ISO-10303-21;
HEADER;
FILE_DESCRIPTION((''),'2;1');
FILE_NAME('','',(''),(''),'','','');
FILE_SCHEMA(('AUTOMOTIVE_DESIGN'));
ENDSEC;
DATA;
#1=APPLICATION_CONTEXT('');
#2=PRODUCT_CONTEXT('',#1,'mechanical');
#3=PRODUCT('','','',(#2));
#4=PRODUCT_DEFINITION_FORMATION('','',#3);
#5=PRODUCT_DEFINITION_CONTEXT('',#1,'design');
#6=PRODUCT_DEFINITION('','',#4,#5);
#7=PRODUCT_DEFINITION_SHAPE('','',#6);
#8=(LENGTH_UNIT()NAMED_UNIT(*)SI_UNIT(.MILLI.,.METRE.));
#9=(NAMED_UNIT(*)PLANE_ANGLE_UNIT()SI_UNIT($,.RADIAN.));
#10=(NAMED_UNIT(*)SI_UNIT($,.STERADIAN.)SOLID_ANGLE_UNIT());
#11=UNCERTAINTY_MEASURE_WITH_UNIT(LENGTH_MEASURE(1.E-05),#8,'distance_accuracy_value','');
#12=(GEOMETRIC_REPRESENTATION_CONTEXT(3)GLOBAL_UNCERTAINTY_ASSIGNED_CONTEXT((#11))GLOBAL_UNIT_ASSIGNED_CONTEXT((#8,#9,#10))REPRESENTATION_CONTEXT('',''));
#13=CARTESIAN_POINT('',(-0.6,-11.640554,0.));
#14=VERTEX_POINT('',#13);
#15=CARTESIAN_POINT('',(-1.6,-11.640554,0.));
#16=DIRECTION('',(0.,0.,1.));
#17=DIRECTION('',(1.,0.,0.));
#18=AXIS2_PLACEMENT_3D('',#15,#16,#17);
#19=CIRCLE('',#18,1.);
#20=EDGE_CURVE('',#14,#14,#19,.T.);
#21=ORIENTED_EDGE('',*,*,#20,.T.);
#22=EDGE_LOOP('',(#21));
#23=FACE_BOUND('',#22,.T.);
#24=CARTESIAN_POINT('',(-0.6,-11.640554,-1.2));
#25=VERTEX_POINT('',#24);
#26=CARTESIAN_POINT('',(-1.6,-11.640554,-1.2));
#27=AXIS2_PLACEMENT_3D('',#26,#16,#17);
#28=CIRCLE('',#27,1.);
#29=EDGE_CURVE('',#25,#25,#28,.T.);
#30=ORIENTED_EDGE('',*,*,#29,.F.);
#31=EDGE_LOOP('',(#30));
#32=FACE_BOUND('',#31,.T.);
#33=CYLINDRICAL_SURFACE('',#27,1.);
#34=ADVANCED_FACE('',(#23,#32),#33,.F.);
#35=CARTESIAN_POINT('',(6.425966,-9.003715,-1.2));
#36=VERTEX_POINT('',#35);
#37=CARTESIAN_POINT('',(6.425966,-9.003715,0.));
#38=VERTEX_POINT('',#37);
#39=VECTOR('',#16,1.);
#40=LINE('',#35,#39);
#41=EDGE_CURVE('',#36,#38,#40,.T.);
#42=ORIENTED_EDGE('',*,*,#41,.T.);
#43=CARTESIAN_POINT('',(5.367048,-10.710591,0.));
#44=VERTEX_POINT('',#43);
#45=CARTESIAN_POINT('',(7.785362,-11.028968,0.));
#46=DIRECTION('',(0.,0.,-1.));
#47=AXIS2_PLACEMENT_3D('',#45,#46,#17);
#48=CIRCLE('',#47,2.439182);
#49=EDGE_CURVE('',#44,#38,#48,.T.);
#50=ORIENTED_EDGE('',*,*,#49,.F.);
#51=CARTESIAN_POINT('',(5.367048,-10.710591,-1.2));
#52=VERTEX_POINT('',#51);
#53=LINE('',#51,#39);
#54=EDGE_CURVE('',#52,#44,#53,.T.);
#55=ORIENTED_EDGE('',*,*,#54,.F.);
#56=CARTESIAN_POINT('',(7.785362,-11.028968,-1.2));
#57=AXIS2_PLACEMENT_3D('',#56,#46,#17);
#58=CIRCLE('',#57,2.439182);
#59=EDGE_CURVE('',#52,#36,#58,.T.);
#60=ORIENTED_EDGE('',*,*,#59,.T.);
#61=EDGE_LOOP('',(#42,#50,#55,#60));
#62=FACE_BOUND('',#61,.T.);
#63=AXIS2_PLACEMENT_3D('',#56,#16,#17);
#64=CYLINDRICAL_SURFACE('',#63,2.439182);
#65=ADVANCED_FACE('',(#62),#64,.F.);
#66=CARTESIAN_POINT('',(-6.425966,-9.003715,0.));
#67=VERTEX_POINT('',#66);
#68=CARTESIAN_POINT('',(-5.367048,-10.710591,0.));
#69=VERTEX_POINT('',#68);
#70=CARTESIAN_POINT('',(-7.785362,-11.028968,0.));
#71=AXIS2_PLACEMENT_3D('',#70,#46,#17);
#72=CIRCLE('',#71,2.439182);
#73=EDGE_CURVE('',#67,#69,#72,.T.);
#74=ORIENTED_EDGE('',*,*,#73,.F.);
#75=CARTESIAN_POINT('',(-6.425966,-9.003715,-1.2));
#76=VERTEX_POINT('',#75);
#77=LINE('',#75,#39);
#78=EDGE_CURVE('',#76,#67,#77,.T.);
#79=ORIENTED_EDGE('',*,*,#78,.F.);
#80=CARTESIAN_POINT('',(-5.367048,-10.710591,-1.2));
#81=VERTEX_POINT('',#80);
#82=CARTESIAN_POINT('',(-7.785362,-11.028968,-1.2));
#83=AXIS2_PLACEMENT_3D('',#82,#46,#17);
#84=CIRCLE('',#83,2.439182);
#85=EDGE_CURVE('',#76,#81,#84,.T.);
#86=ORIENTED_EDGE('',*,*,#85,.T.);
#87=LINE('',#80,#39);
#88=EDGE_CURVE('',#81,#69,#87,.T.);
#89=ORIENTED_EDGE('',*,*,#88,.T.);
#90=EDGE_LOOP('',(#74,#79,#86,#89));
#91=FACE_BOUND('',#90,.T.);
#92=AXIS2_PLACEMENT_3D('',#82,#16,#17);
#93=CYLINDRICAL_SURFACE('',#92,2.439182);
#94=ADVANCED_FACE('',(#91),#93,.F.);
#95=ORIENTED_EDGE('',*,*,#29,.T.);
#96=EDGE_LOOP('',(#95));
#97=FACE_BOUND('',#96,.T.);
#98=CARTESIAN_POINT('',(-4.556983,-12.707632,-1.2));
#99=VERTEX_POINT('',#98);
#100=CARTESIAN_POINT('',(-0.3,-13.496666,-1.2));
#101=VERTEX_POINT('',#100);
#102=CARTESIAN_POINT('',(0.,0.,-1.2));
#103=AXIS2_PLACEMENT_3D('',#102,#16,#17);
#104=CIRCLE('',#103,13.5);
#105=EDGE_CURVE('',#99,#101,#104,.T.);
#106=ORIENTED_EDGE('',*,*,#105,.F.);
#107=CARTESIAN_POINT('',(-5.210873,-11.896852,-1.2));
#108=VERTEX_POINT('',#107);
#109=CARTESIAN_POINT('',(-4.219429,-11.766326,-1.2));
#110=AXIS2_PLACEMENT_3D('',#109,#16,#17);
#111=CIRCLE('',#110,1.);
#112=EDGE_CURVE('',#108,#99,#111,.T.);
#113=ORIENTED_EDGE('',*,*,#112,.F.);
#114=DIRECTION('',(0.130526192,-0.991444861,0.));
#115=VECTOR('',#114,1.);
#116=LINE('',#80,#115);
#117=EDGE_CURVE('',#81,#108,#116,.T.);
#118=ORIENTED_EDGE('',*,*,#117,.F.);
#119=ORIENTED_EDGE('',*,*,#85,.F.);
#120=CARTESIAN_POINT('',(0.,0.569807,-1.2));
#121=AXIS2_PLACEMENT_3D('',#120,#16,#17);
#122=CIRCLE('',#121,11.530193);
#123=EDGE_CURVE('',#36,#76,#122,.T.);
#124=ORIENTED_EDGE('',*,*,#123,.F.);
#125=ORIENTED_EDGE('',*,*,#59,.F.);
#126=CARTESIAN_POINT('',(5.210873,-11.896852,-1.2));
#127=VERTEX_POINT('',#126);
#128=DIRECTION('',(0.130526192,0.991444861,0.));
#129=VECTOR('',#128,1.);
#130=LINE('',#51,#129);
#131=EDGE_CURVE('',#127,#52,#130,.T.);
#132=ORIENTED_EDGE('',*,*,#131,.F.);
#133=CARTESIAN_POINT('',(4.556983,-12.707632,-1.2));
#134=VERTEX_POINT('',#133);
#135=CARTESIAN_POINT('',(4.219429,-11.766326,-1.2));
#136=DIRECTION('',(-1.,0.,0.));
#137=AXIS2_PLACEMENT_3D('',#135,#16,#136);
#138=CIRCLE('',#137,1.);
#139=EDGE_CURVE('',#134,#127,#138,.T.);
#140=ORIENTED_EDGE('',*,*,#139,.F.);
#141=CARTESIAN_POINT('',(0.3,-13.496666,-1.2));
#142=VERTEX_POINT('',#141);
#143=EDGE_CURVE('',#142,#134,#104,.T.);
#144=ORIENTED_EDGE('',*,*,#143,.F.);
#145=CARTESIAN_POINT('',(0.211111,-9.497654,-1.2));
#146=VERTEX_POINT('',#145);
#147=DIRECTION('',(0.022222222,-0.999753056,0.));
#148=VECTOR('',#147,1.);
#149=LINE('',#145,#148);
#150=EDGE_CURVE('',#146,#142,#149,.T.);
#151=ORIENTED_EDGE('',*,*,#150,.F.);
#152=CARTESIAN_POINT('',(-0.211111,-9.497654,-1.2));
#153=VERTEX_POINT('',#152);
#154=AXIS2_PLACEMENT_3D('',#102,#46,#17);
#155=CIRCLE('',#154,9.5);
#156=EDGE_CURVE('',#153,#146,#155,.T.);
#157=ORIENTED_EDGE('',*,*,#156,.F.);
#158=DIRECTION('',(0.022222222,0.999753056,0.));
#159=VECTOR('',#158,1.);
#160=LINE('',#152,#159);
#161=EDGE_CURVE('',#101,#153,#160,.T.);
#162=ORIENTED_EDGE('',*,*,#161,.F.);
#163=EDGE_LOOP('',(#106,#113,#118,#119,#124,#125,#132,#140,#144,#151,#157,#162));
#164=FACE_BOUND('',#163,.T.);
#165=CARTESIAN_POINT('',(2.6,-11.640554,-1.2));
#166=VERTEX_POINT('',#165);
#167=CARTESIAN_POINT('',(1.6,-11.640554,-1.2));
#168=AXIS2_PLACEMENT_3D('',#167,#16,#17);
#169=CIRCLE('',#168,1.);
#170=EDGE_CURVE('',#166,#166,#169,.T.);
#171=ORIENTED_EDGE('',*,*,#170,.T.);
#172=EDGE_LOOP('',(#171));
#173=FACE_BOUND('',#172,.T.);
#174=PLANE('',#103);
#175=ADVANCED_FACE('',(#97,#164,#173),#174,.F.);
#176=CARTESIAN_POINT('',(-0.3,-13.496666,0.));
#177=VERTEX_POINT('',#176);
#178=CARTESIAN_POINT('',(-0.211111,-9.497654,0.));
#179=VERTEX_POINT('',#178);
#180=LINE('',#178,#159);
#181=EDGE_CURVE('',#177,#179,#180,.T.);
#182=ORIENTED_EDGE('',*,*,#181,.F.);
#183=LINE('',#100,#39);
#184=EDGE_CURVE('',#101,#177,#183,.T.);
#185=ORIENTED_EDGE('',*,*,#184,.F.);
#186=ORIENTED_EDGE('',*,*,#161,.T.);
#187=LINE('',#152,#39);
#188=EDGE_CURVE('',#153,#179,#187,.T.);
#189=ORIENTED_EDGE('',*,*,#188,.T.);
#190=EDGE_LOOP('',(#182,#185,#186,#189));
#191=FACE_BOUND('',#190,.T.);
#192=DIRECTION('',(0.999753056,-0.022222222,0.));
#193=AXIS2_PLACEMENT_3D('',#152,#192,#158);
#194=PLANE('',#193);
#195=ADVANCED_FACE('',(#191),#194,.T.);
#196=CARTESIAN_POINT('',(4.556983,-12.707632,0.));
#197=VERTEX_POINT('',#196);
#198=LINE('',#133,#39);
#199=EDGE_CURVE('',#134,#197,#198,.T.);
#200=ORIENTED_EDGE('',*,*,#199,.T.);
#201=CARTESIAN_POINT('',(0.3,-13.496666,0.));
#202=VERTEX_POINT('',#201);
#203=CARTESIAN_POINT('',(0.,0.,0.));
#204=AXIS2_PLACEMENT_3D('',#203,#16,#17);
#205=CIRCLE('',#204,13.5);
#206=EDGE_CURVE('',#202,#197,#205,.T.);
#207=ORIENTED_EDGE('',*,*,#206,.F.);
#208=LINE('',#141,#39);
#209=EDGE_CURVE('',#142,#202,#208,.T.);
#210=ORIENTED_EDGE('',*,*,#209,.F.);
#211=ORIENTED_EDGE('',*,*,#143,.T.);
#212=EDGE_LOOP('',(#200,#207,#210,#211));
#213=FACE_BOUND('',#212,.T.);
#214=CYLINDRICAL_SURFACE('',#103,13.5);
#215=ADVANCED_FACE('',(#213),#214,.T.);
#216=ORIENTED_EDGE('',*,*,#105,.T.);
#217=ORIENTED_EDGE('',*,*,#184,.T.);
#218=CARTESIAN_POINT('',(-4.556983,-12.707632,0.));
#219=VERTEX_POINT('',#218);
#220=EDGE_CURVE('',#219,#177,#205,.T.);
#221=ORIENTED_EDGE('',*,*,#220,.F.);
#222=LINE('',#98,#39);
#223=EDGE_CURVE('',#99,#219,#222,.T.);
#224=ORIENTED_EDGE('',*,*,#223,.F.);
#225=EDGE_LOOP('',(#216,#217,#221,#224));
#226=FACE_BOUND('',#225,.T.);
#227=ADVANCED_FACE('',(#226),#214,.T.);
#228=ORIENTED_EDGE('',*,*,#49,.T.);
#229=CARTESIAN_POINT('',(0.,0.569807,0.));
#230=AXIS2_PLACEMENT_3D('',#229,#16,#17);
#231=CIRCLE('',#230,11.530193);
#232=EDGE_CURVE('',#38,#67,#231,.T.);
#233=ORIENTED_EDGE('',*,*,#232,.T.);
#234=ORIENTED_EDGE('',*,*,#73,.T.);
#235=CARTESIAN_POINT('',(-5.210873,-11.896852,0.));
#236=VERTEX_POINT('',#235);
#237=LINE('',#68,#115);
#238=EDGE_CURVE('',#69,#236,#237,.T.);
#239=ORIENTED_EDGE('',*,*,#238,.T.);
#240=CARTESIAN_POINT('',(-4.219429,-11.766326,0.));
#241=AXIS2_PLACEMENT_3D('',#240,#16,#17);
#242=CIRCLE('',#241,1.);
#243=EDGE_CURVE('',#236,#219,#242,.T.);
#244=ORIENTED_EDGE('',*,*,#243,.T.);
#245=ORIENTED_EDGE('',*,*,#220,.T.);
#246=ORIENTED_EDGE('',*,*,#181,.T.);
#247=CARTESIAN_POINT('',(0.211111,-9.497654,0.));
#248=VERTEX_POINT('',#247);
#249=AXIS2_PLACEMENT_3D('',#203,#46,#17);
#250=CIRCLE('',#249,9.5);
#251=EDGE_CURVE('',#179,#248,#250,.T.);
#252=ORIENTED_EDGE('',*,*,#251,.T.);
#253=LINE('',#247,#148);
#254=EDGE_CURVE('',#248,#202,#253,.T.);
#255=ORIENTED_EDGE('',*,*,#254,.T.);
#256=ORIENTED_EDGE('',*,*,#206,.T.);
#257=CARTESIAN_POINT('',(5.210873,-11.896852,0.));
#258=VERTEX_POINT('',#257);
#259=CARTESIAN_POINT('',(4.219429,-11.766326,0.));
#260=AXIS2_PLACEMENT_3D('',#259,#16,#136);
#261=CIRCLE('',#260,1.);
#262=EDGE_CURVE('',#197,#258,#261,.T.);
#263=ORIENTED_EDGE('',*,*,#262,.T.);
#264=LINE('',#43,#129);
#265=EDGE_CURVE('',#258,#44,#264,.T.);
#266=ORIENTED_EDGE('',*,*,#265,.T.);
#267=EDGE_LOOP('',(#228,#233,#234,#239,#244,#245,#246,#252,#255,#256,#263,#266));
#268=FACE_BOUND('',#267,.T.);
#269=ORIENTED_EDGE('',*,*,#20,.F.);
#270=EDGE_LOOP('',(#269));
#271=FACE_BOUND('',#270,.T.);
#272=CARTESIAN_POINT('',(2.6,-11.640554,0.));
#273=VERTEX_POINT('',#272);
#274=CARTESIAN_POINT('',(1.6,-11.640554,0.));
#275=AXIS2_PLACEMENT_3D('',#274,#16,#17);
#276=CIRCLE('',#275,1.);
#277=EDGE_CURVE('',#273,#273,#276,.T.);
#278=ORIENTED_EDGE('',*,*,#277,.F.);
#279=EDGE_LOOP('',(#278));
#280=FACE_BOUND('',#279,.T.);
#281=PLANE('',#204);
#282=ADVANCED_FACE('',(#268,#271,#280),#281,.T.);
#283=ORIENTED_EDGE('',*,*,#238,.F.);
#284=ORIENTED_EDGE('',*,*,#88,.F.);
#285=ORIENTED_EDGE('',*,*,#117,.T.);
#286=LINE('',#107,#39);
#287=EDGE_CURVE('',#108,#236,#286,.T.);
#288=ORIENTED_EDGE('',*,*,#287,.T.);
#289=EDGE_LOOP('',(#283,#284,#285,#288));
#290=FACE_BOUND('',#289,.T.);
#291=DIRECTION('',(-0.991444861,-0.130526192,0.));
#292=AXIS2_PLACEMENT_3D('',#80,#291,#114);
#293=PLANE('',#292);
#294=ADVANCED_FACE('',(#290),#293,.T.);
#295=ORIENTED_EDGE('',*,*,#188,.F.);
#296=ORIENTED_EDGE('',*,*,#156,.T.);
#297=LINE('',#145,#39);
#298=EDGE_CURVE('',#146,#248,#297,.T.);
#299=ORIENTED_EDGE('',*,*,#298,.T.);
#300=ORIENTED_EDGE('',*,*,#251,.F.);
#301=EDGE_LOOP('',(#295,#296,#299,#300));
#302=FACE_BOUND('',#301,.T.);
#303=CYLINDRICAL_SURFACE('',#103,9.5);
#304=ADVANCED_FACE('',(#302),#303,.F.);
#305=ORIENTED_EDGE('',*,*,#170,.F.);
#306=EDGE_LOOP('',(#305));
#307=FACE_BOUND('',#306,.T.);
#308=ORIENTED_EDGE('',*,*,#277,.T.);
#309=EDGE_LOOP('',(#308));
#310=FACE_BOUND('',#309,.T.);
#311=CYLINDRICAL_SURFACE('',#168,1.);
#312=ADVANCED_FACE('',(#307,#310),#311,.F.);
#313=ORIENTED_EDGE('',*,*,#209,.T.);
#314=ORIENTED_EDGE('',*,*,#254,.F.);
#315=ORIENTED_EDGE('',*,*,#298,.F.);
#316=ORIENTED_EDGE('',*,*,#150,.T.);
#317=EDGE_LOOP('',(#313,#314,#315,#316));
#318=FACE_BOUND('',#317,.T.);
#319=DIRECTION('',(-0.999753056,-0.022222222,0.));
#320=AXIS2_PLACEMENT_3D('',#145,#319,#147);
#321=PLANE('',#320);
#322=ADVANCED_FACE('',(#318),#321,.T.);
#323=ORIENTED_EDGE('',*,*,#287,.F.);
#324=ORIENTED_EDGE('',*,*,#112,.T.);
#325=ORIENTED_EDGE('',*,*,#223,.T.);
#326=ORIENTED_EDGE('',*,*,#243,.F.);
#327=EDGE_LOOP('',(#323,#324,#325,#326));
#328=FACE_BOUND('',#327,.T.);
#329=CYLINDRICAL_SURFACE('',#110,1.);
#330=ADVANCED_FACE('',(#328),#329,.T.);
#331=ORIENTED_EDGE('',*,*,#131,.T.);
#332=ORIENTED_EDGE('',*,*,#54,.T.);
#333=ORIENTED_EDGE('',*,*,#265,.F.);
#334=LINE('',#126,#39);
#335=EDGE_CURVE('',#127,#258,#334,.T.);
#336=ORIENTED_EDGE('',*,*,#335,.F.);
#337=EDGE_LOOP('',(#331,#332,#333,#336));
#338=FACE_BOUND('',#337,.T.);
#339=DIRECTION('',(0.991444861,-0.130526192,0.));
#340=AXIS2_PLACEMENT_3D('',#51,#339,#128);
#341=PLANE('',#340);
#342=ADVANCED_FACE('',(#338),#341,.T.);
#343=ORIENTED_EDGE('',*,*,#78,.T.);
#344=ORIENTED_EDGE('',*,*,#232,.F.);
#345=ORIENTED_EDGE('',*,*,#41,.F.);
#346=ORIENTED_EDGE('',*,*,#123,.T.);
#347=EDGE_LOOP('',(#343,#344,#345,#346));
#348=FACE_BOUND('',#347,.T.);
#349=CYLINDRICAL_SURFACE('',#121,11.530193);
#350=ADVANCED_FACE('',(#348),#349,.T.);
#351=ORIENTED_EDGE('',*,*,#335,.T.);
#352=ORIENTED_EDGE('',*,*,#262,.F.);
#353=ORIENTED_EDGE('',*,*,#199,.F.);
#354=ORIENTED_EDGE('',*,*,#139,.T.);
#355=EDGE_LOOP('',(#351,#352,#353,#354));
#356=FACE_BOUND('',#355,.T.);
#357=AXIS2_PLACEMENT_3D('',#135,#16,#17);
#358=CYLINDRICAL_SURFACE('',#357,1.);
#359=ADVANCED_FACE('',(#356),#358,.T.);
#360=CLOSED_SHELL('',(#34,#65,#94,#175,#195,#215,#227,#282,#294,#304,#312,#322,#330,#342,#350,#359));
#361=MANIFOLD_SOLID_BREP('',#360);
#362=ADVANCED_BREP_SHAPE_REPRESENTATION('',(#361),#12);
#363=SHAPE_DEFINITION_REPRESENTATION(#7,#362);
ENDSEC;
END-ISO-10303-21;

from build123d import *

# Parameters (mm, degrees)
BODYSKE_R  = 1
BODY_DEPTH = 1.2


with BuildPart() as part:
    # BodySke → Body (new body)
    with BuildSketch(Plane.XY):
        with BuildLine():
            Line((0.211111111, -9.497654031), (0.3, -13.496666255))
            ThreePointArc((0.3, -13.496666255), (2.460328137, -13.273913721), (4.556982895, -12.707631836))
            ThreePointArc((4.556982895, -12.707631836), (4.997824833, -12.394099074), (5.210873468, -11.896851967))
            Line((5.210873468, -11.896851967), (5.367047697, -10.710590926))
            ThreePointArc((5.367047697, -10.710590926), (5.712651137, -9.743091769), (6.425965969, -9.003714798))
            ThreePointArc((6.425965969, -9.003714798), (0, 12.1), (-6.425965969, -9.003714798))
            ThreePointArc((-6.425965969, -9.003714798), (-5.712651137, -9.743091769), (-5.367047697, -10.710590926))
            Line((-5.367047697, -10.710590926), (-5.210873468, -11.896851967))
            ThreePointArc((-5.210873468, -11.896851967), (-4.997824833, -12.394099074), (-4.556982895, -12.707631836))
            ThreePointArc((-4.556982895, -12.707631836), (-2.460328137, -13.273913721), (-0.3, -13.496666255))
            Line((-0.3, -13.496666255), (-0.211111111, -9.497654031))
            ThreePointArc((-0.211111111, -9.497654031), (0, 9.5), (0.211111111, -9.497654031))
        make_face()
        with Locations((1.6, -11.640554111)):
            Circle(BODYSKE_R, mode=Mode.SUBTRACT)
        with Locations((-1.6, -11.640554111)):
            Circle(BODYSKE_R, mode=Mode.SUBTRACT)
    extrude(amount=-BODY_DEPTH)


solid = part.part
